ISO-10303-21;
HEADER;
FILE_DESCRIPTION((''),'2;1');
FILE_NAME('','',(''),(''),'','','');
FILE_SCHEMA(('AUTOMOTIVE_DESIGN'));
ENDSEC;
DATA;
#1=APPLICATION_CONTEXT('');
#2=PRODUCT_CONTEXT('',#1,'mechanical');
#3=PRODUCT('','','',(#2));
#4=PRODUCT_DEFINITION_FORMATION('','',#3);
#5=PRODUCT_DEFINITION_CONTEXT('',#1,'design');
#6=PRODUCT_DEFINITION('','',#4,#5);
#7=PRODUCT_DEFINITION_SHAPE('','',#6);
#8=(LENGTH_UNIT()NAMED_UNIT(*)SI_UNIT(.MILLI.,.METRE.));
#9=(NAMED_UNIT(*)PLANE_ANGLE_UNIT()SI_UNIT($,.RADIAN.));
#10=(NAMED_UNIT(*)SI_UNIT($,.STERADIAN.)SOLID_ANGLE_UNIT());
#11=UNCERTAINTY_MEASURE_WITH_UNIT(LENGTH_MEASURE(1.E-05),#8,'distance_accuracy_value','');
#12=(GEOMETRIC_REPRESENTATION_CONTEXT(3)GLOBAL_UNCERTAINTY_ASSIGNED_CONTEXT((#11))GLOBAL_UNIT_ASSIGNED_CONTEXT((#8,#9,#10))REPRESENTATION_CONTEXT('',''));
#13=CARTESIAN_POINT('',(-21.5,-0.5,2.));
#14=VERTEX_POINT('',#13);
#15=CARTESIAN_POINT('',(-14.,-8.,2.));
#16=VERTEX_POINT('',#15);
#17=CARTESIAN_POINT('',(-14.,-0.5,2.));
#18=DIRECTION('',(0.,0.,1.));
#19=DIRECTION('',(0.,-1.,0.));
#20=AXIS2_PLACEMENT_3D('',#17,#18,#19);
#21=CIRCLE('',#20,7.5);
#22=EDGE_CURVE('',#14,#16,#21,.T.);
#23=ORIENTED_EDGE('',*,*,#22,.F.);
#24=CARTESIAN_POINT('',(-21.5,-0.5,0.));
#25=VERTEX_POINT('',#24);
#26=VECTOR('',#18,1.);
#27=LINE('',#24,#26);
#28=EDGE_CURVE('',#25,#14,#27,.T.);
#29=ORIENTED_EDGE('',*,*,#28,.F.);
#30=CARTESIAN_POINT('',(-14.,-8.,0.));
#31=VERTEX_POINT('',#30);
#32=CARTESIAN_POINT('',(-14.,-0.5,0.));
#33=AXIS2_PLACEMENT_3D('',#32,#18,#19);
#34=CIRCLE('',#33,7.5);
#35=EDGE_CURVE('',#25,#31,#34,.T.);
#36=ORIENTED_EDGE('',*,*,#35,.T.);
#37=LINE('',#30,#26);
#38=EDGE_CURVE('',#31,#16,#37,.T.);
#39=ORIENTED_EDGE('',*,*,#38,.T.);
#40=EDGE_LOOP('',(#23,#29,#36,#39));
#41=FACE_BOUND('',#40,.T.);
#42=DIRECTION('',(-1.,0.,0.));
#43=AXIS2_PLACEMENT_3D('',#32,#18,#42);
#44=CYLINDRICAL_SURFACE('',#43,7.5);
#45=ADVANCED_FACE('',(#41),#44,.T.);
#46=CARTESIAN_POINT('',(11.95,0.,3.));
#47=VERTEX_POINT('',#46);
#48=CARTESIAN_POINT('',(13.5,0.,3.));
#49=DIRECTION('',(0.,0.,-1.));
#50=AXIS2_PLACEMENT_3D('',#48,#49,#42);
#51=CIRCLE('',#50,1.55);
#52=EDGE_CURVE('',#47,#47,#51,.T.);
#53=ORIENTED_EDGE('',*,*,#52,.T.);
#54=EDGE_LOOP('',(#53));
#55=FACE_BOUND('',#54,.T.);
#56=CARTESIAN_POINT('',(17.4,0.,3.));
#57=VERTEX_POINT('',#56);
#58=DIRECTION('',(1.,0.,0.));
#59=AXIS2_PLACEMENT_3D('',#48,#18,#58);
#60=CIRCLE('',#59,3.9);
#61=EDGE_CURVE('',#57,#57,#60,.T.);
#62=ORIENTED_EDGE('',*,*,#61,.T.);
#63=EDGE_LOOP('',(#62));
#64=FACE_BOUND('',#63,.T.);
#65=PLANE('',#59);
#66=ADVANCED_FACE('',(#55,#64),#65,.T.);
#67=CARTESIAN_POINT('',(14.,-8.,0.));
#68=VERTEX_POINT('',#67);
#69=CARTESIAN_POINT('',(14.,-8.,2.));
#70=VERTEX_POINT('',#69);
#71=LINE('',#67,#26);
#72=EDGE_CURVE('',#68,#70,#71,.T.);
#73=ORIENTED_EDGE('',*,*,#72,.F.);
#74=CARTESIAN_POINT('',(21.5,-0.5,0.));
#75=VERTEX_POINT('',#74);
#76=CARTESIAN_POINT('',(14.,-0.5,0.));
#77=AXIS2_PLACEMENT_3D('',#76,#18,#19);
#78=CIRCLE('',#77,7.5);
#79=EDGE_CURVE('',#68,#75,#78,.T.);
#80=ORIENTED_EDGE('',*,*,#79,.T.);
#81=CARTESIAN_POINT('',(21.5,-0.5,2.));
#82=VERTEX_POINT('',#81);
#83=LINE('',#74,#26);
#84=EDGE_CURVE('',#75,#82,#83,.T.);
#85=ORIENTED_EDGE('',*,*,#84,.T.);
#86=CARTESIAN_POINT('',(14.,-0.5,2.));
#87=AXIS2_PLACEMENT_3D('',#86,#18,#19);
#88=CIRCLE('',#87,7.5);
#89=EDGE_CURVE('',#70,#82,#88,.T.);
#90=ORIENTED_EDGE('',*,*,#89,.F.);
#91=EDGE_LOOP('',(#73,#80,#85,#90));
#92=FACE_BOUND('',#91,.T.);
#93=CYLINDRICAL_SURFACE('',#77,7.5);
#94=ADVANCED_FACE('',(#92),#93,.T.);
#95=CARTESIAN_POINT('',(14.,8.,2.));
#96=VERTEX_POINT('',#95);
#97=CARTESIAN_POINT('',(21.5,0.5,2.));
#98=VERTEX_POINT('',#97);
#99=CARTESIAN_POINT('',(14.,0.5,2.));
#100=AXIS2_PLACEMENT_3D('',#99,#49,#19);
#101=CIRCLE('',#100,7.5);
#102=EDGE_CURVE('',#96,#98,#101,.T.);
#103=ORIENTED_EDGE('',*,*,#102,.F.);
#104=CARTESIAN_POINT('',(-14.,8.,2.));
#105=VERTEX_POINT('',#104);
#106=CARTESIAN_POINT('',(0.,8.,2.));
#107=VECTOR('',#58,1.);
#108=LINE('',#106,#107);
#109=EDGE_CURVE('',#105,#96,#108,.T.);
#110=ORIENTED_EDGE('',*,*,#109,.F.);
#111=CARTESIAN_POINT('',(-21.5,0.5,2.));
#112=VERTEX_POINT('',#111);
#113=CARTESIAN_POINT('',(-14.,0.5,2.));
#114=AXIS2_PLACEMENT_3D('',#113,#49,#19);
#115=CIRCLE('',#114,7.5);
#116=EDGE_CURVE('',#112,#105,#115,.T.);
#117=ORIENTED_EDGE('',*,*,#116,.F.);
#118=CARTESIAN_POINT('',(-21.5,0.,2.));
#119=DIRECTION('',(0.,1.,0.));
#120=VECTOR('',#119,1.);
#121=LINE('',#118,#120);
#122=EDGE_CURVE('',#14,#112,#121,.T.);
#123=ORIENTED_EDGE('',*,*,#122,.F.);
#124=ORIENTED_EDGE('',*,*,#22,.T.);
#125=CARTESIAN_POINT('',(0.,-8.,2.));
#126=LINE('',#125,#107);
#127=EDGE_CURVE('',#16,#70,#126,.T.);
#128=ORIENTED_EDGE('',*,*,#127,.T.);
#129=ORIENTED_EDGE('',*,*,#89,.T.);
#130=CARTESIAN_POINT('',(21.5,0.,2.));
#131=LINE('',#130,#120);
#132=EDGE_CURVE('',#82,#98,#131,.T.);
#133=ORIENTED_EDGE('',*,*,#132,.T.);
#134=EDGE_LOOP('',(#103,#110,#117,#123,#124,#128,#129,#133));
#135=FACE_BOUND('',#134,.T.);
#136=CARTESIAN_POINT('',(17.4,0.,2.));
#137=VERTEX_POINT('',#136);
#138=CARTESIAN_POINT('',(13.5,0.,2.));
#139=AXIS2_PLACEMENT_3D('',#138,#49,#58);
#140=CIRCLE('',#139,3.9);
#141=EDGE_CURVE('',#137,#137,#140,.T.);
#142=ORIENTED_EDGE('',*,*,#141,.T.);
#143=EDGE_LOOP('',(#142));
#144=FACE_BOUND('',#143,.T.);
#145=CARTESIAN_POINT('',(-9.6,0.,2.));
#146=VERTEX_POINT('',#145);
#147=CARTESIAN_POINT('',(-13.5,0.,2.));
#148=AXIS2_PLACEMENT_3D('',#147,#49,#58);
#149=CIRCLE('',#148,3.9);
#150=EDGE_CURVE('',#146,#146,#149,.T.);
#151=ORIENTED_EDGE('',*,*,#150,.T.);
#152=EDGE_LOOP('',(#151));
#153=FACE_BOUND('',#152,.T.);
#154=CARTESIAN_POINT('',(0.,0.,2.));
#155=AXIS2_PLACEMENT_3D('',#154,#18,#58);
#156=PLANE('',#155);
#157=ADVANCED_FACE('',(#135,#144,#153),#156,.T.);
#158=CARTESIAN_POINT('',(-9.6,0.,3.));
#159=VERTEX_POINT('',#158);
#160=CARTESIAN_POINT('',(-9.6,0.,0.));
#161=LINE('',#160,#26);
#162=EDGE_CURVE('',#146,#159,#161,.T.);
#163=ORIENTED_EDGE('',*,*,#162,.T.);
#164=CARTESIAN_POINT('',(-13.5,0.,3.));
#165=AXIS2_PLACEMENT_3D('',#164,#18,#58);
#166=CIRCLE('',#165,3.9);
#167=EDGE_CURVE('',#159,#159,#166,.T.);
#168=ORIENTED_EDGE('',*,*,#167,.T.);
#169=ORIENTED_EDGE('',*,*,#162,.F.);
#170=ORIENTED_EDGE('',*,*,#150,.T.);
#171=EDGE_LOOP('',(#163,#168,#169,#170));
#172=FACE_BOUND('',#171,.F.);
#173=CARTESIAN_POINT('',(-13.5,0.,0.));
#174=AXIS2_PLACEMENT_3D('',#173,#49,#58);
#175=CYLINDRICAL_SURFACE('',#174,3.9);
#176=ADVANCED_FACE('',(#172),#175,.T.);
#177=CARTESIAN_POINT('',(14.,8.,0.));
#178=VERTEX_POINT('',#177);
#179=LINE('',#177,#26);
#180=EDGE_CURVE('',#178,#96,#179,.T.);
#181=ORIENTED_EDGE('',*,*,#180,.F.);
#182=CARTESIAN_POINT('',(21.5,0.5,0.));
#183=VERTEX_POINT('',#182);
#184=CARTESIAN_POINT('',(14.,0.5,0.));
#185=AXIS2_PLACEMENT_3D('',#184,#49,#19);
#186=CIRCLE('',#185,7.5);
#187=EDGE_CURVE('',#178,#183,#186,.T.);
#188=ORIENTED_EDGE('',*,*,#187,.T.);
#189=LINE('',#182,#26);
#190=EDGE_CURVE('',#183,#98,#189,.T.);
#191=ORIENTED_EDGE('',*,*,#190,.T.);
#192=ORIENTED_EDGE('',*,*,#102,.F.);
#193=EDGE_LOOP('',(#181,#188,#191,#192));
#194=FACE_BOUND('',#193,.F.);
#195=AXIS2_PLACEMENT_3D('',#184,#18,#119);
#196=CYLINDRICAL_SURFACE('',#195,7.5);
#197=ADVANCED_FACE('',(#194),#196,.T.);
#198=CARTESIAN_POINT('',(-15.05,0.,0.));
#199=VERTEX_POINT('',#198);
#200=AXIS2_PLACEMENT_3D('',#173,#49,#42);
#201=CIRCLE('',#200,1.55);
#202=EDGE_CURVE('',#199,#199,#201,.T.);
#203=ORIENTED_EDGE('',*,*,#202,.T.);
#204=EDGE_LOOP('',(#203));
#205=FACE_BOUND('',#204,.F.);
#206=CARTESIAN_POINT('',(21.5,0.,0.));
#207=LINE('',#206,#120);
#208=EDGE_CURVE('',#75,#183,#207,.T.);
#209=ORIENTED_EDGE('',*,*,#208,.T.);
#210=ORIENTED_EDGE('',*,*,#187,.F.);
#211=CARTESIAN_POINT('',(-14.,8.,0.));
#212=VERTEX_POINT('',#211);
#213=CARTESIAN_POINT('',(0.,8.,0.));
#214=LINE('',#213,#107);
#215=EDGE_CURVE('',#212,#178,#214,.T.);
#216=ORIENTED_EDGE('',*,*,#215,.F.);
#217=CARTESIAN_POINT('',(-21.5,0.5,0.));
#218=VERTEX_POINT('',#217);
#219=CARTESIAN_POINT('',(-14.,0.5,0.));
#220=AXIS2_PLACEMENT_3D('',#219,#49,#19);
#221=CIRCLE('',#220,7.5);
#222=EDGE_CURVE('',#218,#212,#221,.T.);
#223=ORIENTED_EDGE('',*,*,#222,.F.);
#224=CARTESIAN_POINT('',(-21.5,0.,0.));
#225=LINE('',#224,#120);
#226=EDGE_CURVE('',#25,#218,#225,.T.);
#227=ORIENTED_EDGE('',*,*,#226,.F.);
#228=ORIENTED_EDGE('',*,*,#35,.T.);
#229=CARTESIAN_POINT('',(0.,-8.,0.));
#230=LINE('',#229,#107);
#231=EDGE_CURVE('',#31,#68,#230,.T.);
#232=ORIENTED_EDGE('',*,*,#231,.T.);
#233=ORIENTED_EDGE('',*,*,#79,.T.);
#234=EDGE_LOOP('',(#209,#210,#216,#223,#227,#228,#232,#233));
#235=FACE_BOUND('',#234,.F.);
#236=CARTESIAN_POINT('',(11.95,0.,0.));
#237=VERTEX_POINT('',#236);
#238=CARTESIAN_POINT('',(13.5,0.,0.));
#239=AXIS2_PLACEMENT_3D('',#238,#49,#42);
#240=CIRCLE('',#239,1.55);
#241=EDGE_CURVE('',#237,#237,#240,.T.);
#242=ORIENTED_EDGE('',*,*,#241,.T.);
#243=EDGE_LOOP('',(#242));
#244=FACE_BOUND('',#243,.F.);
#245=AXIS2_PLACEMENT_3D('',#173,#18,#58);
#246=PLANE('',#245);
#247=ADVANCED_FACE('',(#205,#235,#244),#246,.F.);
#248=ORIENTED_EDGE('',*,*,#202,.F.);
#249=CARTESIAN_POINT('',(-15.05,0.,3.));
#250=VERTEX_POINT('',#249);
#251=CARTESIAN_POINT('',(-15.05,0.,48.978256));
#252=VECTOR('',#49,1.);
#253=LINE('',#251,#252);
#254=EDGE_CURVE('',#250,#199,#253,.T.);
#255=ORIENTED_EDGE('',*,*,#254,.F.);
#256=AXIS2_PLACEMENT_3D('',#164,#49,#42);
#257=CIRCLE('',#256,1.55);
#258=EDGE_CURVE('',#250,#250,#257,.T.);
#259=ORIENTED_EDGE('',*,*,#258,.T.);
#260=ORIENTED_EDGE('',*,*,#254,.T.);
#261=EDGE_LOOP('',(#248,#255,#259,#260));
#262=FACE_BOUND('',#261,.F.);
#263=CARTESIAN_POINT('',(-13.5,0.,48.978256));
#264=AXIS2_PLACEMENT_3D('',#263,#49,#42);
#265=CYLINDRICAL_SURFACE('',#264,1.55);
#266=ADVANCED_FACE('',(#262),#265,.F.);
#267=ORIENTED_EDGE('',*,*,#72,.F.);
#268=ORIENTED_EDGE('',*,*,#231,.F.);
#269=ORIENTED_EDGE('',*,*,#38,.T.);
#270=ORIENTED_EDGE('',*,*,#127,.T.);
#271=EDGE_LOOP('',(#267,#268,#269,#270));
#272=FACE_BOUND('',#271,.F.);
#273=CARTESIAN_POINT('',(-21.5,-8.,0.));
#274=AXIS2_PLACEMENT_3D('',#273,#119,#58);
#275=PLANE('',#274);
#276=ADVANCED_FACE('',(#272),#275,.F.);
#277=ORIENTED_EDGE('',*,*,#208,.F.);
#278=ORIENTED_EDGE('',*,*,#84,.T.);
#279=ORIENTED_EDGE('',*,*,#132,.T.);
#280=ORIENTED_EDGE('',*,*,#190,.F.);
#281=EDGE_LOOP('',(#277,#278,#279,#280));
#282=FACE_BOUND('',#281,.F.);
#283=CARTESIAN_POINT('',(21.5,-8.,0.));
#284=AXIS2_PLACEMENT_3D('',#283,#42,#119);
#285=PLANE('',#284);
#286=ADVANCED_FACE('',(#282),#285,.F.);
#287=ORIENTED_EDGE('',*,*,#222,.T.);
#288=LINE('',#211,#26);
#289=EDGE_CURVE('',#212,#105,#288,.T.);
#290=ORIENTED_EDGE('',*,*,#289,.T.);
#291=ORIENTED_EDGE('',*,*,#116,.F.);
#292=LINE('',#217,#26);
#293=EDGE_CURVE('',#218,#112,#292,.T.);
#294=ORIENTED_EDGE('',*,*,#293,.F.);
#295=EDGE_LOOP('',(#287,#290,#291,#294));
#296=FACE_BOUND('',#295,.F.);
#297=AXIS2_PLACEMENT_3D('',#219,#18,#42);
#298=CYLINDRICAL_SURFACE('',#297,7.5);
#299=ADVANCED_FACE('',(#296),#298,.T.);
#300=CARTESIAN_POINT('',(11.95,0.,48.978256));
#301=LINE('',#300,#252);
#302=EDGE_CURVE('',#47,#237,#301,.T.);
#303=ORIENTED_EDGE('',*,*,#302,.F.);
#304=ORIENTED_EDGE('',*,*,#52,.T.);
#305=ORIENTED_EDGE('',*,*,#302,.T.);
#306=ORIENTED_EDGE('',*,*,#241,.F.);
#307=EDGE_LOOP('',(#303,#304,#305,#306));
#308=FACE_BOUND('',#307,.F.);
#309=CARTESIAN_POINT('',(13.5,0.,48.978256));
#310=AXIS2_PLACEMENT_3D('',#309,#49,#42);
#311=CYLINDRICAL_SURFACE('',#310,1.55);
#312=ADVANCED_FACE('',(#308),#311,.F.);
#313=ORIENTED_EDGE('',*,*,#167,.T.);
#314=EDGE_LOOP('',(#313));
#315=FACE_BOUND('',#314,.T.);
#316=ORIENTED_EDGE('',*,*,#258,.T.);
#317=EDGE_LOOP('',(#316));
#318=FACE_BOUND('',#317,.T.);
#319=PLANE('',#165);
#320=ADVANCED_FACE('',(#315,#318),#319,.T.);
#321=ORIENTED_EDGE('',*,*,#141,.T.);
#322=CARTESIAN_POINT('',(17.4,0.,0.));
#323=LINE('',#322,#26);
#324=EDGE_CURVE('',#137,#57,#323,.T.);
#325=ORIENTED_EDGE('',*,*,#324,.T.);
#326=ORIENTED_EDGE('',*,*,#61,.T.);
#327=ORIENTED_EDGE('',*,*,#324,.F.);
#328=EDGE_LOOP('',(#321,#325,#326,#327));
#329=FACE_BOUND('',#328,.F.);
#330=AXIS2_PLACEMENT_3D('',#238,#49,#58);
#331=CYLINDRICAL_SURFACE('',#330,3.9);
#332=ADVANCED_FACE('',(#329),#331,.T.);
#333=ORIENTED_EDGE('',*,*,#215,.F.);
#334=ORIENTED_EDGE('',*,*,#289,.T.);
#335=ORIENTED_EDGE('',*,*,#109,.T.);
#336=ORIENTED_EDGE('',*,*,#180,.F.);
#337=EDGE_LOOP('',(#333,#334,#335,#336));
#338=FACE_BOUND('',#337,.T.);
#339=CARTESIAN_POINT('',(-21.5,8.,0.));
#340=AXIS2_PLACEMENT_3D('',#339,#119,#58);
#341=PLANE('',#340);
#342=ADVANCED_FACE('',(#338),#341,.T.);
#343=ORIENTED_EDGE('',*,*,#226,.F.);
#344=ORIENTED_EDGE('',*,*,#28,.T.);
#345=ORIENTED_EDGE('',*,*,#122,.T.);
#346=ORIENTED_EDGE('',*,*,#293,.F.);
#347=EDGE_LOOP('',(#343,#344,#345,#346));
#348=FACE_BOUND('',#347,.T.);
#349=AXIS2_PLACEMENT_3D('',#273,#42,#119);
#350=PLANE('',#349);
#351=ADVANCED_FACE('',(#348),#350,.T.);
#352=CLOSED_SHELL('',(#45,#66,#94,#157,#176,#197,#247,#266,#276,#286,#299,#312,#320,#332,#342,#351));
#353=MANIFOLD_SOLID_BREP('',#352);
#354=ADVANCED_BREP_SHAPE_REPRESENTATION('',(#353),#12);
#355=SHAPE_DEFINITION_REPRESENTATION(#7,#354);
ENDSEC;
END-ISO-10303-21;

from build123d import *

# Parameters (mm, degrees)
F0_W     = 43
F0_H     = 16
F1_DEPTH = 2
F2_R     = 3.9
F3_DEPTH = 3
F5_D     = 3.1
F6_R     = 7.5


with BuildPart() as f1:
    # F0 (on Top) → F1 (new body)
    with BuildSketch(Plane.XY):
        Rectangle(F0_W, F0_H)
    extrude(amount=F1_DEPTH)

    # F2 (on Top) → F3 (join)
    with BuildSketch(Plane.XY):
        with Locations((-13.5, 0)):
            Circle(F2_R)
        with Locations((13.5, 0)):
            Circle(F2_R)
    extrude(amount=F3_DEPTH)

    # F5 (through all)
    with Locations(Plane.XY.offset(3)):
        with Locations((-13.5, 0), (13.5, 0)):
            Hole(F5_D / 2)

    # F6
    f6_edges = [f1.edges().sort_by_distance(p)[0] for p in [
        (-21.5, -8, 1),
        (21.5, -8, 1),
        (21.5, 8, 1),
        (-21.5, 8, 1),
    ]]
    fillet(f6_edges, radius=F6_R)


solid = f1.part
